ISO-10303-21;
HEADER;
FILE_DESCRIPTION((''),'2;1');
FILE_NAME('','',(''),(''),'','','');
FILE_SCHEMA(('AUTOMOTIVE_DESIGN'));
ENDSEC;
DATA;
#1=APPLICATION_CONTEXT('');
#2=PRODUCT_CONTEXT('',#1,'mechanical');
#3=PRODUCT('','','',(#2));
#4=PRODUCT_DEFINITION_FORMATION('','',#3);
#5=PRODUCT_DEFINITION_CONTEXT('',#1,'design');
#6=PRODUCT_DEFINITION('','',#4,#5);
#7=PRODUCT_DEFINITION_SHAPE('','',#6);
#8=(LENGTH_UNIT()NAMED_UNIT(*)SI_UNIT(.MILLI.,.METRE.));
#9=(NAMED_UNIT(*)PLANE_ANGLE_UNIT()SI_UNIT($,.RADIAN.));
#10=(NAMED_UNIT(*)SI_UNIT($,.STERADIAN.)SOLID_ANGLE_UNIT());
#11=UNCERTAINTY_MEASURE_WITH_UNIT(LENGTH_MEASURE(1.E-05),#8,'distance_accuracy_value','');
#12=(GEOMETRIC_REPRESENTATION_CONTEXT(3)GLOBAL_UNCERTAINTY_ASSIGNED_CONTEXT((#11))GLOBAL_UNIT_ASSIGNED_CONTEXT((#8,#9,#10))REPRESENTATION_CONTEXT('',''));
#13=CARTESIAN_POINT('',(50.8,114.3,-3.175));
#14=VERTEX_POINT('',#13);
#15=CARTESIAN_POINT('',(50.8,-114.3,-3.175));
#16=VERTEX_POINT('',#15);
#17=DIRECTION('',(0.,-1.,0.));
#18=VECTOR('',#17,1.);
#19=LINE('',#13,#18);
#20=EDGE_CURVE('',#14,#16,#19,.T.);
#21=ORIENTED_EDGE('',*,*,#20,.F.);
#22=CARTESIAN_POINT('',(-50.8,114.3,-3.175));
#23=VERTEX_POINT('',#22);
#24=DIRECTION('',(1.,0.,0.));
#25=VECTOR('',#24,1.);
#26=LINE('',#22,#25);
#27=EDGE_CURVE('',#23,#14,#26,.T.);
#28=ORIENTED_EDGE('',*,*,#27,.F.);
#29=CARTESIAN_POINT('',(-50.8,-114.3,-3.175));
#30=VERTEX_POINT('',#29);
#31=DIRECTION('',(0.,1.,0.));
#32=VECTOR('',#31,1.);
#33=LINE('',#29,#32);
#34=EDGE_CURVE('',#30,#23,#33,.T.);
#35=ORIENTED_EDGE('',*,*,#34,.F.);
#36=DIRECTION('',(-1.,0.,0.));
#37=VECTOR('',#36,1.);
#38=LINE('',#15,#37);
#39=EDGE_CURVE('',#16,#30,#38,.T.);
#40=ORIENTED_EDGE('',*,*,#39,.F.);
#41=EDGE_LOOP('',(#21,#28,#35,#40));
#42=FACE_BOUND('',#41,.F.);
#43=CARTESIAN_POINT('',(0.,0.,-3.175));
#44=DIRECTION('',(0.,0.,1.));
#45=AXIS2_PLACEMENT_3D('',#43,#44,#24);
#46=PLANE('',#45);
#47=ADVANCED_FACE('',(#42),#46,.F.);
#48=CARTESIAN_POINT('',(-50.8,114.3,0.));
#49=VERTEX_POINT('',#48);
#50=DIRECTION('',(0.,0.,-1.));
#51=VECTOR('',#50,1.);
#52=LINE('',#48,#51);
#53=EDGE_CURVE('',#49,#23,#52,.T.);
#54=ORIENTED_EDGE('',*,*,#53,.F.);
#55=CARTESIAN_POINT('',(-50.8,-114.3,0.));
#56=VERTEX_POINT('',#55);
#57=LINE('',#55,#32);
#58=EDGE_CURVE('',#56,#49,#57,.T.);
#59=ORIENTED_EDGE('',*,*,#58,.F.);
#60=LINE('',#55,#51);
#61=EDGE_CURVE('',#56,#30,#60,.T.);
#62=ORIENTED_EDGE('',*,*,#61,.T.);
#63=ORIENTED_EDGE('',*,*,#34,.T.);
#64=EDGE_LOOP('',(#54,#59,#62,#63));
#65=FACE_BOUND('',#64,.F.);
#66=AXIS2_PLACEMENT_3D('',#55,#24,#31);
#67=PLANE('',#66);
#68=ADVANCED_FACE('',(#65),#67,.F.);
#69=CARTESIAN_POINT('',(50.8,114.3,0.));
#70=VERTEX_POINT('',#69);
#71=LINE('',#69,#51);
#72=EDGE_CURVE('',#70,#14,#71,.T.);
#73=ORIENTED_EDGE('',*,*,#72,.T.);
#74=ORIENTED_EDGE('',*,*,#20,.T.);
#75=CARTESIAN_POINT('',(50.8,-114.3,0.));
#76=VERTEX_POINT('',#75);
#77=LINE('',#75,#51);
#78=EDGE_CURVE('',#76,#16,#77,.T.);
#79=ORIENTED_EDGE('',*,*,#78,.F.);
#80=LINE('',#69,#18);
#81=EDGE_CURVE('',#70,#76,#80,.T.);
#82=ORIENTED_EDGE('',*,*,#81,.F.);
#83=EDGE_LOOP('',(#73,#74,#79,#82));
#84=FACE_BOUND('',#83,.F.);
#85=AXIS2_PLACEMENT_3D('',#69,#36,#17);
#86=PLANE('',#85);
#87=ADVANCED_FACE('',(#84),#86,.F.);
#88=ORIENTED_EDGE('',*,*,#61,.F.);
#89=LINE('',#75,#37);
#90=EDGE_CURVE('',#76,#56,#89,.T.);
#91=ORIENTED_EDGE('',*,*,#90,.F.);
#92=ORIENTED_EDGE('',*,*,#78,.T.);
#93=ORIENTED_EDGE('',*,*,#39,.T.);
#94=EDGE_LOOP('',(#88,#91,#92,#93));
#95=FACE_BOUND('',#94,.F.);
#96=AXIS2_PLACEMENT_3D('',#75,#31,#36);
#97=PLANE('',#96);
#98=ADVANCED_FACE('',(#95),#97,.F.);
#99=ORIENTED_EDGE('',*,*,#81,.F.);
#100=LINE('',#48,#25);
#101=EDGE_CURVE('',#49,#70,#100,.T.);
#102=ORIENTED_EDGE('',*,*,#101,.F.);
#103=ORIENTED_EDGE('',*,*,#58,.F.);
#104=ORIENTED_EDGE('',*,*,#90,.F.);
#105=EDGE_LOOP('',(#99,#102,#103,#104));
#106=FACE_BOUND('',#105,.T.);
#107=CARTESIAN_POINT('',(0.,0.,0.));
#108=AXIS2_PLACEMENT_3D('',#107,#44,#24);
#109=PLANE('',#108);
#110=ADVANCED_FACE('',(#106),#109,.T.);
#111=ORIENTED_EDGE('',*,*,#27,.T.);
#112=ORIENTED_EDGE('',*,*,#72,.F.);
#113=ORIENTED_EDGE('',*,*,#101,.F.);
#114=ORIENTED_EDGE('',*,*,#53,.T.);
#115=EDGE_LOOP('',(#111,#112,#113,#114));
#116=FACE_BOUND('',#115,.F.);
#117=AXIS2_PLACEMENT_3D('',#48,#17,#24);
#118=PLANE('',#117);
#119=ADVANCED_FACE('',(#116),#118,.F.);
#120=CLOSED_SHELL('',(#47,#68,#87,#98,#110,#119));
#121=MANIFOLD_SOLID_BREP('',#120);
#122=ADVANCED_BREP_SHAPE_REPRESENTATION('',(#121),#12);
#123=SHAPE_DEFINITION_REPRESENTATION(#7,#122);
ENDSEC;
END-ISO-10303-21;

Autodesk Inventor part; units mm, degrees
ref_plane "YZ Plane" through (0, 0, 0) normal (1, 0, 0) x (0, 1, 0)
ref_plane "XZ Plane" through (0, 0, 0) normal (0, 1, 0) x (-1, 0, 0)
ref_plane "XY Plane" through (0, 0, 0) normal (0, 0, 1) x (1, 0, 0)
sketch "Sketch1" plane through (0, 0, 0) normal (0, 0, 1) x (1, 0, 0)
  line L0 (-50.8, 114.3) -> (50.8, 114.3)
  line L1 (50.8, 114.3) -> (50.8, -114.3)
  line L2 (50.8, -114.3) -> (-50.8, -114.3)
  line L3 (-50.8, -114.3) -> (-50.8, 114.3)
  point P0 (0, 0)
  dimension "d0" = 101.6
  dimension "d1" = 228.6
  dimension "d2" = 114.3
  dimension "d3" = 50.8
extrude "Extrusion1" add sketch "Sketch1" against normal blind 3.175
properties part number "Aft_Top"
